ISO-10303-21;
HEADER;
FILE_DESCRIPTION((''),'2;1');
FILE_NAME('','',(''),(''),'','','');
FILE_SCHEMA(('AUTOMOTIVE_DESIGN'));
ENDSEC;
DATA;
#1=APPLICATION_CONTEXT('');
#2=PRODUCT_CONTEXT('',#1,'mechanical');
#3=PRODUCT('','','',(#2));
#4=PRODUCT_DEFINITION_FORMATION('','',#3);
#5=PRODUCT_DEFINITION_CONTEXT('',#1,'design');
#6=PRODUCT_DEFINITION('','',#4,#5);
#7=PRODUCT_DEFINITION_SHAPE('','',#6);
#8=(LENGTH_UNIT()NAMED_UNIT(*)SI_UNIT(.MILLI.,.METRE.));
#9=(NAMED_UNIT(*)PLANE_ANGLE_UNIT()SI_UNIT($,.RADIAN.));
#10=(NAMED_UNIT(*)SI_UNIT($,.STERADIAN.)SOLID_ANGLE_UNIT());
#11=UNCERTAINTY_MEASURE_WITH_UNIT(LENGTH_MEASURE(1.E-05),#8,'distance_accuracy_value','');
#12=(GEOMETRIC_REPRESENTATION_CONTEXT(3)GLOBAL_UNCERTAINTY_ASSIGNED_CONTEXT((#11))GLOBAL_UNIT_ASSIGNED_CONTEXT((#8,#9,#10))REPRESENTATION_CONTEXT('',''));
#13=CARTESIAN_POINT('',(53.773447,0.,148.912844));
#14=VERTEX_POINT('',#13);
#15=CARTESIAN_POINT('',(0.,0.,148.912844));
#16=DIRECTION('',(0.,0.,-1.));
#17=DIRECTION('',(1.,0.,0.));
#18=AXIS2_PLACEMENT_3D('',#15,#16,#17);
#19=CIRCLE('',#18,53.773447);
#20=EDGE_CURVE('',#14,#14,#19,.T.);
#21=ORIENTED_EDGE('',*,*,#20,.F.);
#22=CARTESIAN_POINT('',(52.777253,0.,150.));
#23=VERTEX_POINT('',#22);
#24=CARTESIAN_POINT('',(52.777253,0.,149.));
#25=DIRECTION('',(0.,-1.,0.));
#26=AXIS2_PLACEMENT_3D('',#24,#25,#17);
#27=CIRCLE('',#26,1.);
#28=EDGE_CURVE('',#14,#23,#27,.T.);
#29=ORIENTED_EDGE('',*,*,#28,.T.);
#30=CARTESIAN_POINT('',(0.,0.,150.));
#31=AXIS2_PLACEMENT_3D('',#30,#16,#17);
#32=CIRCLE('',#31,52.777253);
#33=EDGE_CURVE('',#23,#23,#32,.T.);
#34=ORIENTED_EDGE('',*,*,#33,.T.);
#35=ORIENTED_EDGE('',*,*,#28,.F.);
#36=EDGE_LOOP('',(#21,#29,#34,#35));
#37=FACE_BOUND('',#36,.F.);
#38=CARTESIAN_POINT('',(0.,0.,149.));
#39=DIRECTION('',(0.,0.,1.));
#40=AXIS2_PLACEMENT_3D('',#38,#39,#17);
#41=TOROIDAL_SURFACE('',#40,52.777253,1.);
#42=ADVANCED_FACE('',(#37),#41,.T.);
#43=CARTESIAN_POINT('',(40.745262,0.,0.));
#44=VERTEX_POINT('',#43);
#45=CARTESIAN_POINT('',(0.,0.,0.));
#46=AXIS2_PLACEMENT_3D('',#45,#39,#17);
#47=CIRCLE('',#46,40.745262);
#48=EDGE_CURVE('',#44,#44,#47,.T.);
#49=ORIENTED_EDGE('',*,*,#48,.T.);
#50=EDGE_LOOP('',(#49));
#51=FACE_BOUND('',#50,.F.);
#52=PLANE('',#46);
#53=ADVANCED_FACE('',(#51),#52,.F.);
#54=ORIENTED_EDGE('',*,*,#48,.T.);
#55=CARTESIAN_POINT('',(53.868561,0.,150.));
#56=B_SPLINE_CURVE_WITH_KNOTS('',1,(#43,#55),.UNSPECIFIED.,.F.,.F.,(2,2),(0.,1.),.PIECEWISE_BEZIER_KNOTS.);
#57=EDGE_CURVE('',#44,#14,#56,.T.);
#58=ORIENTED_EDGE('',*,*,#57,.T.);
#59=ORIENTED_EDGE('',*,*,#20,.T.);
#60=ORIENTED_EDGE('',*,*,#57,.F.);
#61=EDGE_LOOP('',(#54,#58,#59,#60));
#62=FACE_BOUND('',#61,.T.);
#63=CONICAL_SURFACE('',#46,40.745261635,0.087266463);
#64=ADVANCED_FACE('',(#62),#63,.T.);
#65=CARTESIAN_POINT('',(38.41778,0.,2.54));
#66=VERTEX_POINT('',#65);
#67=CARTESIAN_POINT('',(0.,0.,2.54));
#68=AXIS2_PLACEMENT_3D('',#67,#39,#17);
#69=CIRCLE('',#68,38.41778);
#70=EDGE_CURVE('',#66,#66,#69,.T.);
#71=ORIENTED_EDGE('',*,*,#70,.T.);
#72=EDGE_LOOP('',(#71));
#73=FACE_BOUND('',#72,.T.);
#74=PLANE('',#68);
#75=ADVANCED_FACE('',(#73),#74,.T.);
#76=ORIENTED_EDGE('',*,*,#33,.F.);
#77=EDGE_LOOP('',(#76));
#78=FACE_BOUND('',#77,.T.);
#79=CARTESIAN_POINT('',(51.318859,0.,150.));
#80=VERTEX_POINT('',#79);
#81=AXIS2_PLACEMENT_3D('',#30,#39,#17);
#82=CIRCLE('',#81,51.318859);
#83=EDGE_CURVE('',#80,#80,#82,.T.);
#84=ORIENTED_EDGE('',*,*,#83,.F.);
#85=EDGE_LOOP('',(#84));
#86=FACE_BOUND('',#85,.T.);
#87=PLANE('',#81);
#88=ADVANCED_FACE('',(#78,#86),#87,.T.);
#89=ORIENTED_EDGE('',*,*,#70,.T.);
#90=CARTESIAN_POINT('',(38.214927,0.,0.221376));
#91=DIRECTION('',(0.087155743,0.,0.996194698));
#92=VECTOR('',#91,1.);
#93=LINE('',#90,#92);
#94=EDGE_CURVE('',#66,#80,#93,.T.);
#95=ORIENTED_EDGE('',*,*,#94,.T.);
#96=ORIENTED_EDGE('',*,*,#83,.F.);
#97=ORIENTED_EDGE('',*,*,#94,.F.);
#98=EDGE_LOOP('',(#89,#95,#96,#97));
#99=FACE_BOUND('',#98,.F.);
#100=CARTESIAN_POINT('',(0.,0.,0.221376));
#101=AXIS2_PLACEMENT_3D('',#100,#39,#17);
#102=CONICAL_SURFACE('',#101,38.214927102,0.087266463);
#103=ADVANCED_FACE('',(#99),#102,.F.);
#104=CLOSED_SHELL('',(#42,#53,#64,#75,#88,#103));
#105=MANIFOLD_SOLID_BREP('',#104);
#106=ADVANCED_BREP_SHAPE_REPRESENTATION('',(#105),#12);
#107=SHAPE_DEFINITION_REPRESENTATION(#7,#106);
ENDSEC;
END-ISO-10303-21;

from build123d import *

# Parameters (mm, degrees)
F0_R     = 40.7452616352
F1_DEPTH = 150
F1_TAPER = -5
F2_T     = -2.54
F3_R     = 1


with BuildPart() as f1:
    # F0 (on Top) → F1 (new body)
    with BuildSketch(Plane.XY):
        Circle(F0_R)
    extrude(amount=F1_DEPTH, taper=F1_TAPER)

    # F2
    f2_openings = [f1.faces().sort_by_distance(p)[0] for p in [
        (0, 0, 150),
    ]]
    offset(amount=F2_T, openings=f2_openings, kind=Kind.INTERSECTION)

    # F3
    f3_edges = [f1.edges().sort_by_distance(p)[0] for p in [
        (-53.868561, 0, 150),
    ]]
    fillet(f3_edges, radius=F3_R)


solid = f1.part
